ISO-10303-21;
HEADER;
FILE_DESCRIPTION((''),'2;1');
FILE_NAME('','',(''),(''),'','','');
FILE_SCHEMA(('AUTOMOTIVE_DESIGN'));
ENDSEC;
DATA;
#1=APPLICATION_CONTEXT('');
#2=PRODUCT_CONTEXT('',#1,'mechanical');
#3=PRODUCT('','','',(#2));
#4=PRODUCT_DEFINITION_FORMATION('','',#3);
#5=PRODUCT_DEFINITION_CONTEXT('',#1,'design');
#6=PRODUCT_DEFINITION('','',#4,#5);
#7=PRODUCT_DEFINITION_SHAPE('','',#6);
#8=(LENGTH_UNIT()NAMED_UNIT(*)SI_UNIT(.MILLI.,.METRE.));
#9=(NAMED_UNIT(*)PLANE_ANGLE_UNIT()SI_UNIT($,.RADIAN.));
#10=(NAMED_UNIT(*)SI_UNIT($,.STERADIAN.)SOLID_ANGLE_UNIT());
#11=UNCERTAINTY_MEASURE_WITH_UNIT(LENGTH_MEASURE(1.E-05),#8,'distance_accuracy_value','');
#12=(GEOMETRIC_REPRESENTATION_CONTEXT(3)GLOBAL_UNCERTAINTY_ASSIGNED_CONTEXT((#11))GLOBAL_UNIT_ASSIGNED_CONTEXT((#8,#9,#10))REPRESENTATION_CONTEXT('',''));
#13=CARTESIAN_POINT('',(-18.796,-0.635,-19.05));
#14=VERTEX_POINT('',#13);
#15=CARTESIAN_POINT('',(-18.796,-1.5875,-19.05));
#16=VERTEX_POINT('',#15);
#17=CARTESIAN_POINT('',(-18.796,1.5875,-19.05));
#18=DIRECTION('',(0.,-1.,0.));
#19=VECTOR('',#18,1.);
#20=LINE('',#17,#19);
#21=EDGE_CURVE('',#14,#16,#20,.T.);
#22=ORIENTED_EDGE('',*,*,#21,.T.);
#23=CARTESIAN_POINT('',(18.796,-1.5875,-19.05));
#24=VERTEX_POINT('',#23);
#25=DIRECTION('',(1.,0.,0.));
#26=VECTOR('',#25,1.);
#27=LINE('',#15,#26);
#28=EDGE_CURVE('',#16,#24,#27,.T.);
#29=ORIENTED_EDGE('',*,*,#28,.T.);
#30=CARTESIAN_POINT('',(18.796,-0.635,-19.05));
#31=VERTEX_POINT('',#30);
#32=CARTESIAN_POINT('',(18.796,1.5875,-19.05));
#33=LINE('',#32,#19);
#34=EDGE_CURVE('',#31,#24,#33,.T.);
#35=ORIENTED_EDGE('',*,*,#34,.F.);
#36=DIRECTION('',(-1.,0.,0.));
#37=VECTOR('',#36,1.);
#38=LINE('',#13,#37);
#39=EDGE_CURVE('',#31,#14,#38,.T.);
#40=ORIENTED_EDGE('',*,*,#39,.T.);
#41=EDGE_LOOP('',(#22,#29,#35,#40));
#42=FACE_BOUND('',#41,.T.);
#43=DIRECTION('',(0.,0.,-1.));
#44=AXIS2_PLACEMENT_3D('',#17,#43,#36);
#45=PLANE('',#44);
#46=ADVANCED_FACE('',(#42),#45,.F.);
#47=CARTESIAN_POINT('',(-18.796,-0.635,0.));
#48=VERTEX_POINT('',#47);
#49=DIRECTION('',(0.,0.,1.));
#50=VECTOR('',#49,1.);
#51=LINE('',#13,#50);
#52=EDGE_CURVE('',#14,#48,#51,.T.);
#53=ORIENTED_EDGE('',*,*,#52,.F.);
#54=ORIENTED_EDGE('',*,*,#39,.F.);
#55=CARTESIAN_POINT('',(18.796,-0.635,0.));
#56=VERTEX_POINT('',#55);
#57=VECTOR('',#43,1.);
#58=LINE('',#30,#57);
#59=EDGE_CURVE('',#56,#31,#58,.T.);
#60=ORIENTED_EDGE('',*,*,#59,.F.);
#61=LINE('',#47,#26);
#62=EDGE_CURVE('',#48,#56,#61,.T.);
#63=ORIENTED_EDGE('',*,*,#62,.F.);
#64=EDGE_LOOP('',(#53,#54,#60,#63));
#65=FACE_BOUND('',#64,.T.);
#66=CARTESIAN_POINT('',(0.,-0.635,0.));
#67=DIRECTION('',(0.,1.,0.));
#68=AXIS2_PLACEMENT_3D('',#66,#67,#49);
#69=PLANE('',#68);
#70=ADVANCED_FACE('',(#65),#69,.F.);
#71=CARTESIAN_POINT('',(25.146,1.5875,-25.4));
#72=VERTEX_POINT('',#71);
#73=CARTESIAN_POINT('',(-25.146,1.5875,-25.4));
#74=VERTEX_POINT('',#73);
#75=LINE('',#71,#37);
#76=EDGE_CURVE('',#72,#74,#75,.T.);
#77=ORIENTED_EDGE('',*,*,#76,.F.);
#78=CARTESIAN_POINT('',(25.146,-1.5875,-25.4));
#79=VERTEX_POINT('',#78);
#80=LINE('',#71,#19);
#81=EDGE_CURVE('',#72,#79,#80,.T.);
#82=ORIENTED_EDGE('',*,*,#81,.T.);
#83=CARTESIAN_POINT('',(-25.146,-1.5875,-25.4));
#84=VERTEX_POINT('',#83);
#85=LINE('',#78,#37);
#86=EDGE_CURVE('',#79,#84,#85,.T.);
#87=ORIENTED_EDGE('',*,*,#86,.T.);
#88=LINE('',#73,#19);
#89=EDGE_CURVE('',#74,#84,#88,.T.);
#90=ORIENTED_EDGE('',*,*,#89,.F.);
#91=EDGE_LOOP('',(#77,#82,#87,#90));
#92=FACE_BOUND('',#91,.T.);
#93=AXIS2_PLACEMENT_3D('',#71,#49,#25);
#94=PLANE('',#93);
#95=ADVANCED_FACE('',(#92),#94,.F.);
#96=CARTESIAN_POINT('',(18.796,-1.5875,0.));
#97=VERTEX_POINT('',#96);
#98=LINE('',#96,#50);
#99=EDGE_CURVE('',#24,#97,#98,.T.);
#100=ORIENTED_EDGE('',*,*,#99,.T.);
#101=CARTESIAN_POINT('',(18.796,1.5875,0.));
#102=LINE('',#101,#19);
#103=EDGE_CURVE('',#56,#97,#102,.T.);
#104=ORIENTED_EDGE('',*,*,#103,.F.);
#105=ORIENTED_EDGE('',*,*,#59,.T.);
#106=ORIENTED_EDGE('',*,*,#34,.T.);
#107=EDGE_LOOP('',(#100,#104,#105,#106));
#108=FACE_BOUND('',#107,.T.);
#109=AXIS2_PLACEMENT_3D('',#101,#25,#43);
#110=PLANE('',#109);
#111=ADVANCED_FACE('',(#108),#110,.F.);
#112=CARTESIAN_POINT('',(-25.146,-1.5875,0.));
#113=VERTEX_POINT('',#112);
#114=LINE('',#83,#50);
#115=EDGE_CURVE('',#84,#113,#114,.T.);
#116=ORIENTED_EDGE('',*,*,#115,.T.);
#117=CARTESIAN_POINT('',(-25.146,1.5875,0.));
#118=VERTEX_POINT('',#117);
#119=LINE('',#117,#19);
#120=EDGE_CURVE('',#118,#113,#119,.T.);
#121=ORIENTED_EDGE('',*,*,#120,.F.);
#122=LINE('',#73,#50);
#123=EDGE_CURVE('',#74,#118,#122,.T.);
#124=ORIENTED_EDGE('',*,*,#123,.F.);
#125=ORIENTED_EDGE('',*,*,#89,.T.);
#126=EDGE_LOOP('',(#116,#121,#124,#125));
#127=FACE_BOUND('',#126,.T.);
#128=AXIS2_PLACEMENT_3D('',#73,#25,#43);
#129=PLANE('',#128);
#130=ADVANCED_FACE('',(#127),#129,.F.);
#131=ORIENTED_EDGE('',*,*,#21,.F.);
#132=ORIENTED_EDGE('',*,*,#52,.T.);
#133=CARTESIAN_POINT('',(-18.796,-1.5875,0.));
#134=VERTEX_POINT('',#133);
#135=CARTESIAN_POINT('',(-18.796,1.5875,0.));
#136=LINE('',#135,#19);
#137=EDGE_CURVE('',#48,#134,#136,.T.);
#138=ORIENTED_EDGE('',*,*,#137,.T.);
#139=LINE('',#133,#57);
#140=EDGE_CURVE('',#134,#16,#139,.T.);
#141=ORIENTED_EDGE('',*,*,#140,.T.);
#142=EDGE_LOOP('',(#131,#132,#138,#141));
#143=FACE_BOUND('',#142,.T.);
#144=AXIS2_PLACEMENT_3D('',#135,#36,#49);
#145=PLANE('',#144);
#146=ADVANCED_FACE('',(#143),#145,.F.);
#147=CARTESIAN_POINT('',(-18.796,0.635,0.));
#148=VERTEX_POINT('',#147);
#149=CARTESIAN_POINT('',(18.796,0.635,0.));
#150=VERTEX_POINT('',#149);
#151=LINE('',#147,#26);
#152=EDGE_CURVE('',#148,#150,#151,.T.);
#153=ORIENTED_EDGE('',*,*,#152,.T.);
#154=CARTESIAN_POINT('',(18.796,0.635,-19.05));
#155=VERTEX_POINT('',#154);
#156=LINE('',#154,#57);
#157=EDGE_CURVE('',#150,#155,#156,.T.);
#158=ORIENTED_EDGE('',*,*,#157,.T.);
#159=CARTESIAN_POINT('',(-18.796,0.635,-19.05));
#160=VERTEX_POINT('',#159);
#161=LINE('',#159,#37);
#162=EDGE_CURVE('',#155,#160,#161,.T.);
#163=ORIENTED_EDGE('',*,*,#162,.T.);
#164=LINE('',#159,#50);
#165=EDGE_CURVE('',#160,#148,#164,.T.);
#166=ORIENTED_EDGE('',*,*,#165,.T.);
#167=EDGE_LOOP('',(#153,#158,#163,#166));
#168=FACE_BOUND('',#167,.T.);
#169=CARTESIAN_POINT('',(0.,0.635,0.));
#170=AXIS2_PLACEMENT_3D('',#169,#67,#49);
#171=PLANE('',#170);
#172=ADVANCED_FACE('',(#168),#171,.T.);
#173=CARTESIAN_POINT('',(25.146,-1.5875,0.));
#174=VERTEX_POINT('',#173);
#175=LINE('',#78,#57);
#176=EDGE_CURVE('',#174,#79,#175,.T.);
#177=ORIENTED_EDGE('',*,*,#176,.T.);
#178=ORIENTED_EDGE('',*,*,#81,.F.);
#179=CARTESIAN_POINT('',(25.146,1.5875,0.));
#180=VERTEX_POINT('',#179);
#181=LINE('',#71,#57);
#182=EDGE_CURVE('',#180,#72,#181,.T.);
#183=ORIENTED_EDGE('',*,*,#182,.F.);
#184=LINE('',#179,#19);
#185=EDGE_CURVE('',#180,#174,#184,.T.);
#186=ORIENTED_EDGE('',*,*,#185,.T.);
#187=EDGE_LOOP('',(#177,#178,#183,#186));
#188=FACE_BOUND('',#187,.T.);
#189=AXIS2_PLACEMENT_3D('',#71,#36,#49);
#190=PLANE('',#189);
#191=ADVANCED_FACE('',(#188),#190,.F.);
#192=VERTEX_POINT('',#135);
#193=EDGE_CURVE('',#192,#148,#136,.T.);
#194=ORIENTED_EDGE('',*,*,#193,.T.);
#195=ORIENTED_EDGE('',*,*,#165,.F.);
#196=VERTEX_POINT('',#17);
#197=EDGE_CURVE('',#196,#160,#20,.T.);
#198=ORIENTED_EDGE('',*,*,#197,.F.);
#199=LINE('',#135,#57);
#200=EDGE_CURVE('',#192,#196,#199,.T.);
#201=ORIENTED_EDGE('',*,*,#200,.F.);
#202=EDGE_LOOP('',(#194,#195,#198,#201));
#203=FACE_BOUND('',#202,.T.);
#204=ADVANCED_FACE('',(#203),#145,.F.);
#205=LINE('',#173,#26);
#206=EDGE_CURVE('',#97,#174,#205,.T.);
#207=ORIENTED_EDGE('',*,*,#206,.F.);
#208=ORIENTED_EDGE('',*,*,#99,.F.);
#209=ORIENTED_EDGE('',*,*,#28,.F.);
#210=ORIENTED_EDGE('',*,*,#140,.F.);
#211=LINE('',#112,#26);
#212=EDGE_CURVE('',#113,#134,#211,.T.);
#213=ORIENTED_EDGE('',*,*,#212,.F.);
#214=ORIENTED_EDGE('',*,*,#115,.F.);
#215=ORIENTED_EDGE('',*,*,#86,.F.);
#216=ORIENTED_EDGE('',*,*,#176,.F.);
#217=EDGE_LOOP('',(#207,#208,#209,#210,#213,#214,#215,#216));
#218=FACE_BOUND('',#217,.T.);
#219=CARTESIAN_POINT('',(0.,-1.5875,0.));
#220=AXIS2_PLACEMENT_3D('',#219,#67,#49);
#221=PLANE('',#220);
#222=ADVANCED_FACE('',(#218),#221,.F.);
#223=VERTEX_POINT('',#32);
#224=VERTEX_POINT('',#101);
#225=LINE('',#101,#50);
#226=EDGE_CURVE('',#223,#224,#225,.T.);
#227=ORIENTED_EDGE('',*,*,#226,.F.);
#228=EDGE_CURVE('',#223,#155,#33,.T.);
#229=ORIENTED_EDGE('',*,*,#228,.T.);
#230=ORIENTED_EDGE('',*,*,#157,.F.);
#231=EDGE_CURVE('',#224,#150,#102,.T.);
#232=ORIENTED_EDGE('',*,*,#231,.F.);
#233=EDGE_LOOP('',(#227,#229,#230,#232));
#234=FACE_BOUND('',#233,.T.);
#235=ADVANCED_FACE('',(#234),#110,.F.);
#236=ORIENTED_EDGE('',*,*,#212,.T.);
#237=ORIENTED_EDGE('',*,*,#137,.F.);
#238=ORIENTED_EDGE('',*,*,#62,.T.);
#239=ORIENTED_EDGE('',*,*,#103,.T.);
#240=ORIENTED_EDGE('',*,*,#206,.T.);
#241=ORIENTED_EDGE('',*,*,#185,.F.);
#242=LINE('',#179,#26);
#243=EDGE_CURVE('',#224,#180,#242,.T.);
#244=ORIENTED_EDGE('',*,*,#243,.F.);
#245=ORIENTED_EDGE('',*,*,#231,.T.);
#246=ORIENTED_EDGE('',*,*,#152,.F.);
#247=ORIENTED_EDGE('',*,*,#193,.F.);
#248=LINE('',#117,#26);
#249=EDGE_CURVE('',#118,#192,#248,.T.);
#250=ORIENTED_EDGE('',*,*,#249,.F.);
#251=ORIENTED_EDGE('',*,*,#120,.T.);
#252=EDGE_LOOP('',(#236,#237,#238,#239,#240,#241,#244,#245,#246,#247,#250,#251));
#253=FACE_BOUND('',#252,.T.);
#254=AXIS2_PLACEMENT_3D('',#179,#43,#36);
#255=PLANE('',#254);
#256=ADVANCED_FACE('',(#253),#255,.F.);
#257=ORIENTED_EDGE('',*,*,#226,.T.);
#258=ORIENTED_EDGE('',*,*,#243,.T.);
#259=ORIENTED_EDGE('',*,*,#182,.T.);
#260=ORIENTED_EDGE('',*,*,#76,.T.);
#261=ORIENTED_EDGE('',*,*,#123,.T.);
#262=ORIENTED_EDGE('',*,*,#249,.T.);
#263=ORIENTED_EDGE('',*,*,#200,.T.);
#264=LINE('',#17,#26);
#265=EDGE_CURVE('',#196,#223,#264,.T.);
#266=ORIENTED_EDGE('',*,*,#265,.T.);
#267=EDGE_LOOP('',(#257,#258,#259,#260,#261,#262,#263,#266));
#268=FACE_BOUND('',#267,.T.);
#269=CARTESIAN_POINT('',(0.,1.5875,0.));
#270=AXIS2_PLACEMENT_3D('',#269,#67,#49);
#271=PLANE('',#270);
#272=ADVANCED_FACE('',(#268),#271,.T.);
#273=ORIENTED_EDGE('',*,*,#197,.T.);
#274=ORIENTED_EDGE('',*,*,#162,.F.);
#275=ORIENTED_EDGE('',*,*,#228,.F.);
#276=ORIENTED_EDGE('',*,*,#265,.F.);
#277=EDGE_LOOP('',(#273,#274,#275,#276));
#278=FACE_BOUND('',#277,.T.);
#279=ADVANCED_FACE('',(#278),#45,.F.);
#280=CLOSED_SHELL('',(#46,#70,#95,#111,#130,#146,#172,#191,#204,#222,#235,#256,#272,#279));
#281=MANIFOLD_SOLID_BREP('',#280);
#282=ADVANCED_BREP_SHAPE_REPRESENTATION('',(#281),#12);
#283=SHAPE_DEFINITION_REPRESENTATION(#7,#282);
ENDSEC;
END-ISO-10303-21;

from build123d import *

# Parameters (mm, degrees)
BOSS_EXTRUDE1_DEPTH = 1.5875
SKETCH2_W           = 37.592
SKETCH2_H           = 19.05
BOSS_EXTRUDE2_DEPTH = 0.635


with BuildPart() as part:
    # Sketch1 → Boss-Extrude1 (new, symmetric)
    with BuildSketch(Plane(origin=(0, 0, 0), x_dir=(1, 0, 0), z_dir=(0, 1, 0))):
        Polygon((-25.146, 0), (-18.796, 0), (-18.796, 19.05), (18.796, 19.05), (18.796, 0), (25.146, 0), (25.146, 25.4), (-25.146, 25.4), align=None)
    extrude(amount=BOSS_EXTRUDE1_DEPTH, both=True)

    # Sketch2 → Boss-Extrude2 (add, symmetric)
    with BuildSketch(Plane(origin=(0, 0, 0), x_dir=(1, 0, 0), z_dir=(0, 1, 0))):
        with Locations((0, 9.525)):
            Rectangle(SKETCH2_W, SKETCH2_H)
    extrude(amount=BOSS_EXTRUDE2_DEPTH, both=True)


solid = part.part
